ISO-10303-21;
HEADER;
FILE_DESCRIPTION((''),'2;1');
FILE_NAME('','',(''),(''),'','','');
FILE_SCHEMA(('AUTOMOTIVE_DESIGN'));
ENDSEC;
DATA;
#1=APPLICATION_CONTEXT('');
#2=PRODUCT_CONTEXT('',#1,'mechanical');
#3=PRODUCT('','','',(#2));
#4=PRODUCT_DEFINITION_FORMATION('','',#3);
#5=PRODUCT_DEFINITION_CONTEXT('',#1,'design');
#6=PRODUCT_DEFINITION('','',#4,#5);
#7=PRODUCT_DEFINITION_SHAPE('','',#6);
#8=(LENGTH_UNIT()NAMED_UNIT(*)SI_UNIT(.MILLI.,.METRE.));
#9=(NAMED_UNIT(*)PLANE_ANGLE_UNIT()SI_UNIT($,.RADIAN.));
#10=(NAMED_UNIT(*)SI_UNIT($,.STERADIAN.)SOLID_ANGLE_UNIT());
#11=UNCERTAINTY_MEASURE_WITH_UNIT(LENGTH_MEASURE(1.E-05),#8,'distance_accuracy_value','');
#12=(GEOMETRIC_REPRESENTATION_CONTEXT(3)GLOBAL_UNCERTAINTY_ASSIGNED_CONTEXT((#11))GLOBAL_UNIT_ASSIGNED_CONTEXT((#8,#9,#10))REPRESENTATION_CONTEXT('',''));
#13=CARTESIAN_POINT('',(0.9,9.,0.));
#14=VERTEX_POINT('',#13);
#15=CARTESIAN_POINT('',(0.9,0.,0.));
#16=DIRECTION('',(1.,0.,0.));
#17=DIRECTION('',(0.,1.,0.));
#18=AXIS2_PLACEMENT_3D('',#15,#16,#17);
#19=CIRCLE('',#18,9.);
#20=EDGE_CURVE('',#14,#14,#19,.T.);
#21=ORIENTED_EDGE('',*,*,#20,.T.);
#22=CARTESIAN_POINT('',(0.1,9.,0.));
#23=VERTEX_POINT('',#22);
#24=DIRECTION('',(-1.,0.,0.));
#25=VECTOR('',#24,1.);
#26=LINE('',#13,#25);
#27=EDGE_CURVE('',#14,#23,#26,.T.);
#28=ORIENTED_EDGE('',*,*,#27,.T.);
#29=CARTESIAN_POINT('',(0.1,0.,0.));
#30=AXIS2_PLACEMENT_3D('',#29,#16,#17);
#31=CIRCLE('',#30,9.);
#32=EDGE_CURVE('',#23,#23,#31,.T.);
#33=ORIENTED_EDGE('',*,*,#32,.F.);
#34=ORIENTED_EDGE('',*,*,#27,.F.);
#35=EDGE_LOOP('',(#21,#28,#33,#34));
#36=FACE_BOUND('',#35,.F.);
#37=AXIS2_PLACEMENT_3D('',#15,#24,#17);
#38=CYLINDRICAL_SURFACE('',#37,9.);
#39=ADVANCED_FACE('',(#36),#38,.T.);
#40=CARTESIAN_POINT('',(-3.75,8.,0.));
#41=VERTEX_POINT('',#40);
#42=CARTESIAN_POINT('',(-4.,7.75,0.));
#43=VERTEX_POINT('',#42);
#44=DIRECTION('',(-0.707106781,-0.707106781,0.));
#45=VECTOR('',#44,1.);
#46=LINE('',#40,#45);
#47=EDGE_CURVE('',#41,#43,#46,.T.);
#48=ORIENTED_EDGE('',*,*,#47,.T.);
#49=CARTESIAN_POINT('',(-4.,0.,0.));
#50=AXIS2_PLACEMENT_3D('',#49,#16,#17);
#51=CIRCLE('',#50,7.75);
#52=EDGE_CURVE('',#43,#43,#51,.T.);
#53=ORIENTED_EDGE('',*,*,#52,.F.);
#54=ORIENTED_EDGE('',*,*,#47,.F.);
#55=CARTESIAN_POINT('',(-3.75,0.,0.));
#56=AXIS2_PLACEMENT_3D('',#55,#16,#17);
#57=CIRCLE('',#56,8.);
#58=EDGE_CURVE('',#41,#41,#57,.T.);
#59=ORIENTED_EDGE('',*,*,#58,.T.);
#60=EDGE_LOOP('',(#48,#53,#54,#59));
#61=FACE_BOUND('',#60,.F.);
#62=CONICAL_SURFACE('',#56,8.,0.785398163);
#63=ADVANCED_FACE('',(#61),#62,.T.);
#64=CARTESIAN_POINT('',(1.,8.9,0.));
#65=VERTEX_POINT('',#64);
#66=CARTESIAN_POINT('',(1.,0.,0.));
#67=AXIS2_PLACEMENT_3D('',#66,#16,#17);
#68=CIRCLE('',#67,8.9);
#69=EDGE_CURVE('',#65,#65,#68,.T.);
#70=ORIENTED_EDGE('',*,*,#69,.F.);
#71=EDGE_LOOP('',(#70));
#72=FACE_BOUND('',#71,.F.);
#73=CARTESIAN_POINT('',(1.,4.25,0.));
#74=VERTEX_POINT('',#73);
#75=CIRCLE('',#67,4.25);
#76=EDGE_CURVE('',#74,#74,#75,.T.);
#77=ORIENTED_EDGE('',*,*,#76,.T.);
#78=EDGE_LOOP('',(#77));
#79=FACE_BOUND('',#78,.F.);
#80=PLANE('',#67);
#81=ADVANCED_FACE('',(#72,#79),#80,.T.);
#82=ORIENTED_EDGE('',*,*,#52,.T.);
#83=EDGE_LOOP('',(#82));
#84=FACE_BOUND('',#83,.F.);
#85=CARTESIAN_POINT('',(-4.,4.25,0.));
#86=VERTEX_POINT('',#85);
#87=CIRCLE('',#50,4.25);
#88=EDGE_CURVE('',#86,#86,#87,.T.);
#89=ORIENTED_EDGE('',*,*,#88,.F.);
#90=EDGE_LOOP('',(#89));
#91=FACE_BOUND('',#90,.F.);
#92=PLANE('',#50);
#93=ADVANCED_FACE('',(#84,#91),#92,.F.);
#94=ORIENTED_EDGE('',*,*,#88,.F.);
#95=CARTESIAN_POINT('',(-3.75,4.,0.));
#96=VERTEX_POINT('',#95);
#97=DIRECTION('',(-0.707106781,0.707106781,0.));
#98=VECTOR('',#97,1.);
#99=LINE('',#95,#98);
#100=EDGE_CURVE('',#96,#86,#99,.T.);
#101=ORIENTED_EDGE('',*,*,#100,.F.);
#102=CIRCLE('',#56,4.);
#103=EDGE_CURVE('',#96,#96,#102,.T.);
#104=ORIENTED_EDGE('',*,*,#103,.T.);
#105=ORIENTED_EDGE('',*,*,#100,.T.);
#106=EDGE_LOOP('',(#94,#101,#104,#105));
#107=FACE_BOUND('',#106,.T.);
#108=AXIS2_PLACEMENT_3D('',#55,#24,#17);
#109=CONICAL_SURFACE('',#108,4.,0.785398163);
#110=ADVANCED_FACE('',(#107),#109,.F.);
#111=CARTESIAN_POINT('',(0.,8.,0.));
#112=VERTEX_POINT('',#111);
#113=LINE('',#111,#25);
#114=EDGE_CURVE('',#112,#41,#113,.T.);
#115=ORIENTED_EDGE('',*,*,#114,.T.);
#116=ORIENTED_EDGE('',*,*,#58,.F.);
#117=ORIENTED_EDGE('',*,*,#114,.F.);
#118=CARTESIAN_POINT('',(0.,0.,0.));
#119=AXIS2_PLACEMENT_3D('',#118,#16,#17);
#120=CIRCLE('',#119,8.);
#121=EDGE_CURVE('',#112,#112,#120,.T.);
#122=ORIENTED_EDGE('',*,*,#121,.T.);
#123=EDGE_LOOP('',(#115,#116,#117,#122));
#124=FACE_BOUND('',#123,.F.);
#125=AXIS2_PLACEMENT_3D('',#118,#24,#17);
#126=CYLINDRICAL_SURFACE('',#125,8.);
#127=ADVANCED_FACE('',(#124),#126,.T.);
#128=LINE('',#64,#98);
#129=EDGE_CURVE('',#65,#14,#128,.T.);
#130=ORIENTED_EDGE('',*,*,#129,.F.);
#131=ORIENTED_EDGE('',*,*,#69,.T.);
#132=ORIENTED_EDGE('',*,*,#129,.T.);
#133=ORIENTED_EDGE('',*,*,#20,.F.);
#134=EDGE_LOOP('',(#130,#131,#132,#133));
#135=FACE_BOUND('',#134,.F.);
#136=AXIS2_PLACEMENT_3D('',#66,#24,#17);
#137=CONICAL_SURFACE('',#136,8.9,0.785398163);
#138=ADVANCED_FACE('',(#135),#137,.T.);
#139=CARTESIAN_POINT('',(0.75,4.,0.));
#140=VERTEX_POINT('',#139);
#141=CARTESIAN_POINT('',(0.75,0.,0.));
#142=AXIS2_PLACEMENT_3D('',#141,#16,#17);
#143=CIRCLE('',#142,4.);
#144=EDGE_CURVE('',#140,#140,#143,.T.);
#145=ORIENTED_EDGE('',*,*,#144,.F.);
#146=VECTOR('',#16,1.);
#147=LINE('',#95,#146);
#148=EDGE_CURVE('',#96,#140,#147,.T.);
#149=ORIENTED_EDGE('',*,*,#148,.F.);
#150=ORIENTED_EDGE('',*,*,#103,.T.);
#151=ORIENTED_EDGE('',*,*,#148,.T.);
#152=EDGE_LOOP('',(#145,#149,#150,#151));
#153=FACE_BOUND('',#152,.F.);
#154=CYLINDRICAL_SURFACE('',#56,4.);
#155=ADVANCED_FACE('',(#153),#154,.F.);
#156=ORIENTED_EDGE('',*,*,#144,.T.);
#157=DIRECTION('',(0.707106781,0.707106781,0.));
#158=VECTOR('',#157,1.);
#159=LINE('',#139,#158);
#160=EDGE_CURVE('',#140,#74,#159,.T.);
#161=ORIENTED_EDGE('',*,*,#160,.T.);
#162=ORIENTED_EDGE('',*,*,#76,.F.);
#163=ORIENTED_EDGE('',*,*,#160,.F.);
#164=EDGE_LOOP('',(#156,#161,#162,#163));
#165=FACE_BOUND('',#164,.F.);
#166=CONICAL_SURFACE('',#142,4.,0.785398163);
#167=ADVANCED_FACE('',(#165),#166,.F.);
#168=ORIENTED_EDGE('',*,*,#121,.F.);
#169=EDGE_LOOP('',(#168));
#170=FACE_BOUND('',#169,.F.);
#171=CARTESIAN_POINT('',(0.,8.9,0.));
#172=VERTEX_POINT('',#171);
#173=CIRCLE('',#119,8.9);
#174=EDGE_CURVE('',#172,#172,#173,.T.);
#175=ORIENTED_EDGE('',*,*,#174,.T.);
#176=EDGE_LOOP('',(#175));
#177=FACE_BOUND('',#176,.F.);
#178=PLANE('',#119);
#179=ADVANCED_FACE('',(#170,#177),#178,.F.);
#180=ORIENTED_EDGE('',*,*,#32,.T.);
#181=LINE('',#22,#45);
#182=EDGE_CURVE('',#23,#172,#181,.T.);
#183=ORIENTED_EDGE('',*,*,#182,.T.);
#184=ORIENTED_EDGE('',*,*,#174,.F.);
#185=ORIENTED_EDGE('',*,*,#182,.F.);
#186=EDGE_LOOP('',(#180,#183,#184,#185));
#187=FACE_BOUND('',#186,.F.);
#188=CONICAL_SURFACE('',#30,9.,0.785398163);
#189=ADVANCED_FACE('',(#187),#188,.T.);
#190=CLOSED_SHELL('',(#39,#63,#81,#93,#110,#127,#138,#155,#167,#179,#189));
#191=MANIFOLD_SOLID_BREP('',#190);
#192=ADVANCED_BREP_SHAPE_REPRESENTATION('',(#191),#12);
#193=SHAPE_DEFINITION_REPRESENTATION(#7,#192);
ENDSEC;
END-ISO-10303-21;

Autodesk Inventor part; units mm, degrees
ref_plane "YZ Plane" through (0, 0, 0) normal (1, 0, 0) x (0, 1, 0)
ref_plane "XZ Plane" through (0, 0, 0) normal (0, 1, 0) x (-1, 0, 0)
ref_plane "XY Plane" through (0, 0, 0) normal (0, 0, 1) x (1, 0, 0)
sketch "Skizze1" plane through (0, 0, 0) normal (0, 0, 1) x (1, 0, 0)
  line L0 (-18.8104, 0) -> (17.0467, 0)
  line L1 (-3.75, 4) -> (0.75, 4)
  line L2 (1, 4.25) -> (1, 8.9)
  line L3 (0.9, 9) -> (0.1, 9)
  line L4 (0, 8.9) -> (0, 8)
  line L5 (0, 8) -> (-3.75, 8)
  line L6 (-4, 7.75) -> (-4, 4.25)
  line L7 (-3.75, 8) -> (-4, 7.75)
  line L8 (-3.75, 4) -> (-4, 4.25)
  line L9 (0.75, 4) -> (1, 4.25)
  line L10 (0.1, 9) -> (0, 8.9)
  line L11 (1, 8.9) -> (0.9, 9)
  point P0 (0, 0)
  point P1 (-4, 4)
  point P2 (1, 4)
  point P3 (1, 9)
  point P4 (0, 9)
  point P5 (-4, 8)
  dimension "d0" = 5
  dimension "d1" = 18
  dimension "d2" = 1
  dimension "d3" = 16
  dimension "d4" = 8
  dimension "d5" = 0.25
  dimension "d6" = 0.25
  dimension "d7" = 0.25
  dimension "d8" = 0.25
  dimension "d9" = 0.25
  dimension "d10" = 0.25
  dimension "d11" = 0.1
  dimension "d12" = 0.1
  dimension "d13" = 0.1
  dimension "d14" = 0.1
revolve "Umdrehung1" add sketch "Skizze1" angle 360 about axis through (-18.8104, 0, 0) along (1, 0, 0)
equation "\"d6\" = d5"
equation "\"d7\" = d5"
equation "\"d8\" = d7"
equation "\"d9\" = d5"
equation "\"d10\" = d9"
equation "\"d12\" = d11"
equation "\"d14\" = d13"
properties part number "F688ZZ_V1" material "Stahl, Legierung"
